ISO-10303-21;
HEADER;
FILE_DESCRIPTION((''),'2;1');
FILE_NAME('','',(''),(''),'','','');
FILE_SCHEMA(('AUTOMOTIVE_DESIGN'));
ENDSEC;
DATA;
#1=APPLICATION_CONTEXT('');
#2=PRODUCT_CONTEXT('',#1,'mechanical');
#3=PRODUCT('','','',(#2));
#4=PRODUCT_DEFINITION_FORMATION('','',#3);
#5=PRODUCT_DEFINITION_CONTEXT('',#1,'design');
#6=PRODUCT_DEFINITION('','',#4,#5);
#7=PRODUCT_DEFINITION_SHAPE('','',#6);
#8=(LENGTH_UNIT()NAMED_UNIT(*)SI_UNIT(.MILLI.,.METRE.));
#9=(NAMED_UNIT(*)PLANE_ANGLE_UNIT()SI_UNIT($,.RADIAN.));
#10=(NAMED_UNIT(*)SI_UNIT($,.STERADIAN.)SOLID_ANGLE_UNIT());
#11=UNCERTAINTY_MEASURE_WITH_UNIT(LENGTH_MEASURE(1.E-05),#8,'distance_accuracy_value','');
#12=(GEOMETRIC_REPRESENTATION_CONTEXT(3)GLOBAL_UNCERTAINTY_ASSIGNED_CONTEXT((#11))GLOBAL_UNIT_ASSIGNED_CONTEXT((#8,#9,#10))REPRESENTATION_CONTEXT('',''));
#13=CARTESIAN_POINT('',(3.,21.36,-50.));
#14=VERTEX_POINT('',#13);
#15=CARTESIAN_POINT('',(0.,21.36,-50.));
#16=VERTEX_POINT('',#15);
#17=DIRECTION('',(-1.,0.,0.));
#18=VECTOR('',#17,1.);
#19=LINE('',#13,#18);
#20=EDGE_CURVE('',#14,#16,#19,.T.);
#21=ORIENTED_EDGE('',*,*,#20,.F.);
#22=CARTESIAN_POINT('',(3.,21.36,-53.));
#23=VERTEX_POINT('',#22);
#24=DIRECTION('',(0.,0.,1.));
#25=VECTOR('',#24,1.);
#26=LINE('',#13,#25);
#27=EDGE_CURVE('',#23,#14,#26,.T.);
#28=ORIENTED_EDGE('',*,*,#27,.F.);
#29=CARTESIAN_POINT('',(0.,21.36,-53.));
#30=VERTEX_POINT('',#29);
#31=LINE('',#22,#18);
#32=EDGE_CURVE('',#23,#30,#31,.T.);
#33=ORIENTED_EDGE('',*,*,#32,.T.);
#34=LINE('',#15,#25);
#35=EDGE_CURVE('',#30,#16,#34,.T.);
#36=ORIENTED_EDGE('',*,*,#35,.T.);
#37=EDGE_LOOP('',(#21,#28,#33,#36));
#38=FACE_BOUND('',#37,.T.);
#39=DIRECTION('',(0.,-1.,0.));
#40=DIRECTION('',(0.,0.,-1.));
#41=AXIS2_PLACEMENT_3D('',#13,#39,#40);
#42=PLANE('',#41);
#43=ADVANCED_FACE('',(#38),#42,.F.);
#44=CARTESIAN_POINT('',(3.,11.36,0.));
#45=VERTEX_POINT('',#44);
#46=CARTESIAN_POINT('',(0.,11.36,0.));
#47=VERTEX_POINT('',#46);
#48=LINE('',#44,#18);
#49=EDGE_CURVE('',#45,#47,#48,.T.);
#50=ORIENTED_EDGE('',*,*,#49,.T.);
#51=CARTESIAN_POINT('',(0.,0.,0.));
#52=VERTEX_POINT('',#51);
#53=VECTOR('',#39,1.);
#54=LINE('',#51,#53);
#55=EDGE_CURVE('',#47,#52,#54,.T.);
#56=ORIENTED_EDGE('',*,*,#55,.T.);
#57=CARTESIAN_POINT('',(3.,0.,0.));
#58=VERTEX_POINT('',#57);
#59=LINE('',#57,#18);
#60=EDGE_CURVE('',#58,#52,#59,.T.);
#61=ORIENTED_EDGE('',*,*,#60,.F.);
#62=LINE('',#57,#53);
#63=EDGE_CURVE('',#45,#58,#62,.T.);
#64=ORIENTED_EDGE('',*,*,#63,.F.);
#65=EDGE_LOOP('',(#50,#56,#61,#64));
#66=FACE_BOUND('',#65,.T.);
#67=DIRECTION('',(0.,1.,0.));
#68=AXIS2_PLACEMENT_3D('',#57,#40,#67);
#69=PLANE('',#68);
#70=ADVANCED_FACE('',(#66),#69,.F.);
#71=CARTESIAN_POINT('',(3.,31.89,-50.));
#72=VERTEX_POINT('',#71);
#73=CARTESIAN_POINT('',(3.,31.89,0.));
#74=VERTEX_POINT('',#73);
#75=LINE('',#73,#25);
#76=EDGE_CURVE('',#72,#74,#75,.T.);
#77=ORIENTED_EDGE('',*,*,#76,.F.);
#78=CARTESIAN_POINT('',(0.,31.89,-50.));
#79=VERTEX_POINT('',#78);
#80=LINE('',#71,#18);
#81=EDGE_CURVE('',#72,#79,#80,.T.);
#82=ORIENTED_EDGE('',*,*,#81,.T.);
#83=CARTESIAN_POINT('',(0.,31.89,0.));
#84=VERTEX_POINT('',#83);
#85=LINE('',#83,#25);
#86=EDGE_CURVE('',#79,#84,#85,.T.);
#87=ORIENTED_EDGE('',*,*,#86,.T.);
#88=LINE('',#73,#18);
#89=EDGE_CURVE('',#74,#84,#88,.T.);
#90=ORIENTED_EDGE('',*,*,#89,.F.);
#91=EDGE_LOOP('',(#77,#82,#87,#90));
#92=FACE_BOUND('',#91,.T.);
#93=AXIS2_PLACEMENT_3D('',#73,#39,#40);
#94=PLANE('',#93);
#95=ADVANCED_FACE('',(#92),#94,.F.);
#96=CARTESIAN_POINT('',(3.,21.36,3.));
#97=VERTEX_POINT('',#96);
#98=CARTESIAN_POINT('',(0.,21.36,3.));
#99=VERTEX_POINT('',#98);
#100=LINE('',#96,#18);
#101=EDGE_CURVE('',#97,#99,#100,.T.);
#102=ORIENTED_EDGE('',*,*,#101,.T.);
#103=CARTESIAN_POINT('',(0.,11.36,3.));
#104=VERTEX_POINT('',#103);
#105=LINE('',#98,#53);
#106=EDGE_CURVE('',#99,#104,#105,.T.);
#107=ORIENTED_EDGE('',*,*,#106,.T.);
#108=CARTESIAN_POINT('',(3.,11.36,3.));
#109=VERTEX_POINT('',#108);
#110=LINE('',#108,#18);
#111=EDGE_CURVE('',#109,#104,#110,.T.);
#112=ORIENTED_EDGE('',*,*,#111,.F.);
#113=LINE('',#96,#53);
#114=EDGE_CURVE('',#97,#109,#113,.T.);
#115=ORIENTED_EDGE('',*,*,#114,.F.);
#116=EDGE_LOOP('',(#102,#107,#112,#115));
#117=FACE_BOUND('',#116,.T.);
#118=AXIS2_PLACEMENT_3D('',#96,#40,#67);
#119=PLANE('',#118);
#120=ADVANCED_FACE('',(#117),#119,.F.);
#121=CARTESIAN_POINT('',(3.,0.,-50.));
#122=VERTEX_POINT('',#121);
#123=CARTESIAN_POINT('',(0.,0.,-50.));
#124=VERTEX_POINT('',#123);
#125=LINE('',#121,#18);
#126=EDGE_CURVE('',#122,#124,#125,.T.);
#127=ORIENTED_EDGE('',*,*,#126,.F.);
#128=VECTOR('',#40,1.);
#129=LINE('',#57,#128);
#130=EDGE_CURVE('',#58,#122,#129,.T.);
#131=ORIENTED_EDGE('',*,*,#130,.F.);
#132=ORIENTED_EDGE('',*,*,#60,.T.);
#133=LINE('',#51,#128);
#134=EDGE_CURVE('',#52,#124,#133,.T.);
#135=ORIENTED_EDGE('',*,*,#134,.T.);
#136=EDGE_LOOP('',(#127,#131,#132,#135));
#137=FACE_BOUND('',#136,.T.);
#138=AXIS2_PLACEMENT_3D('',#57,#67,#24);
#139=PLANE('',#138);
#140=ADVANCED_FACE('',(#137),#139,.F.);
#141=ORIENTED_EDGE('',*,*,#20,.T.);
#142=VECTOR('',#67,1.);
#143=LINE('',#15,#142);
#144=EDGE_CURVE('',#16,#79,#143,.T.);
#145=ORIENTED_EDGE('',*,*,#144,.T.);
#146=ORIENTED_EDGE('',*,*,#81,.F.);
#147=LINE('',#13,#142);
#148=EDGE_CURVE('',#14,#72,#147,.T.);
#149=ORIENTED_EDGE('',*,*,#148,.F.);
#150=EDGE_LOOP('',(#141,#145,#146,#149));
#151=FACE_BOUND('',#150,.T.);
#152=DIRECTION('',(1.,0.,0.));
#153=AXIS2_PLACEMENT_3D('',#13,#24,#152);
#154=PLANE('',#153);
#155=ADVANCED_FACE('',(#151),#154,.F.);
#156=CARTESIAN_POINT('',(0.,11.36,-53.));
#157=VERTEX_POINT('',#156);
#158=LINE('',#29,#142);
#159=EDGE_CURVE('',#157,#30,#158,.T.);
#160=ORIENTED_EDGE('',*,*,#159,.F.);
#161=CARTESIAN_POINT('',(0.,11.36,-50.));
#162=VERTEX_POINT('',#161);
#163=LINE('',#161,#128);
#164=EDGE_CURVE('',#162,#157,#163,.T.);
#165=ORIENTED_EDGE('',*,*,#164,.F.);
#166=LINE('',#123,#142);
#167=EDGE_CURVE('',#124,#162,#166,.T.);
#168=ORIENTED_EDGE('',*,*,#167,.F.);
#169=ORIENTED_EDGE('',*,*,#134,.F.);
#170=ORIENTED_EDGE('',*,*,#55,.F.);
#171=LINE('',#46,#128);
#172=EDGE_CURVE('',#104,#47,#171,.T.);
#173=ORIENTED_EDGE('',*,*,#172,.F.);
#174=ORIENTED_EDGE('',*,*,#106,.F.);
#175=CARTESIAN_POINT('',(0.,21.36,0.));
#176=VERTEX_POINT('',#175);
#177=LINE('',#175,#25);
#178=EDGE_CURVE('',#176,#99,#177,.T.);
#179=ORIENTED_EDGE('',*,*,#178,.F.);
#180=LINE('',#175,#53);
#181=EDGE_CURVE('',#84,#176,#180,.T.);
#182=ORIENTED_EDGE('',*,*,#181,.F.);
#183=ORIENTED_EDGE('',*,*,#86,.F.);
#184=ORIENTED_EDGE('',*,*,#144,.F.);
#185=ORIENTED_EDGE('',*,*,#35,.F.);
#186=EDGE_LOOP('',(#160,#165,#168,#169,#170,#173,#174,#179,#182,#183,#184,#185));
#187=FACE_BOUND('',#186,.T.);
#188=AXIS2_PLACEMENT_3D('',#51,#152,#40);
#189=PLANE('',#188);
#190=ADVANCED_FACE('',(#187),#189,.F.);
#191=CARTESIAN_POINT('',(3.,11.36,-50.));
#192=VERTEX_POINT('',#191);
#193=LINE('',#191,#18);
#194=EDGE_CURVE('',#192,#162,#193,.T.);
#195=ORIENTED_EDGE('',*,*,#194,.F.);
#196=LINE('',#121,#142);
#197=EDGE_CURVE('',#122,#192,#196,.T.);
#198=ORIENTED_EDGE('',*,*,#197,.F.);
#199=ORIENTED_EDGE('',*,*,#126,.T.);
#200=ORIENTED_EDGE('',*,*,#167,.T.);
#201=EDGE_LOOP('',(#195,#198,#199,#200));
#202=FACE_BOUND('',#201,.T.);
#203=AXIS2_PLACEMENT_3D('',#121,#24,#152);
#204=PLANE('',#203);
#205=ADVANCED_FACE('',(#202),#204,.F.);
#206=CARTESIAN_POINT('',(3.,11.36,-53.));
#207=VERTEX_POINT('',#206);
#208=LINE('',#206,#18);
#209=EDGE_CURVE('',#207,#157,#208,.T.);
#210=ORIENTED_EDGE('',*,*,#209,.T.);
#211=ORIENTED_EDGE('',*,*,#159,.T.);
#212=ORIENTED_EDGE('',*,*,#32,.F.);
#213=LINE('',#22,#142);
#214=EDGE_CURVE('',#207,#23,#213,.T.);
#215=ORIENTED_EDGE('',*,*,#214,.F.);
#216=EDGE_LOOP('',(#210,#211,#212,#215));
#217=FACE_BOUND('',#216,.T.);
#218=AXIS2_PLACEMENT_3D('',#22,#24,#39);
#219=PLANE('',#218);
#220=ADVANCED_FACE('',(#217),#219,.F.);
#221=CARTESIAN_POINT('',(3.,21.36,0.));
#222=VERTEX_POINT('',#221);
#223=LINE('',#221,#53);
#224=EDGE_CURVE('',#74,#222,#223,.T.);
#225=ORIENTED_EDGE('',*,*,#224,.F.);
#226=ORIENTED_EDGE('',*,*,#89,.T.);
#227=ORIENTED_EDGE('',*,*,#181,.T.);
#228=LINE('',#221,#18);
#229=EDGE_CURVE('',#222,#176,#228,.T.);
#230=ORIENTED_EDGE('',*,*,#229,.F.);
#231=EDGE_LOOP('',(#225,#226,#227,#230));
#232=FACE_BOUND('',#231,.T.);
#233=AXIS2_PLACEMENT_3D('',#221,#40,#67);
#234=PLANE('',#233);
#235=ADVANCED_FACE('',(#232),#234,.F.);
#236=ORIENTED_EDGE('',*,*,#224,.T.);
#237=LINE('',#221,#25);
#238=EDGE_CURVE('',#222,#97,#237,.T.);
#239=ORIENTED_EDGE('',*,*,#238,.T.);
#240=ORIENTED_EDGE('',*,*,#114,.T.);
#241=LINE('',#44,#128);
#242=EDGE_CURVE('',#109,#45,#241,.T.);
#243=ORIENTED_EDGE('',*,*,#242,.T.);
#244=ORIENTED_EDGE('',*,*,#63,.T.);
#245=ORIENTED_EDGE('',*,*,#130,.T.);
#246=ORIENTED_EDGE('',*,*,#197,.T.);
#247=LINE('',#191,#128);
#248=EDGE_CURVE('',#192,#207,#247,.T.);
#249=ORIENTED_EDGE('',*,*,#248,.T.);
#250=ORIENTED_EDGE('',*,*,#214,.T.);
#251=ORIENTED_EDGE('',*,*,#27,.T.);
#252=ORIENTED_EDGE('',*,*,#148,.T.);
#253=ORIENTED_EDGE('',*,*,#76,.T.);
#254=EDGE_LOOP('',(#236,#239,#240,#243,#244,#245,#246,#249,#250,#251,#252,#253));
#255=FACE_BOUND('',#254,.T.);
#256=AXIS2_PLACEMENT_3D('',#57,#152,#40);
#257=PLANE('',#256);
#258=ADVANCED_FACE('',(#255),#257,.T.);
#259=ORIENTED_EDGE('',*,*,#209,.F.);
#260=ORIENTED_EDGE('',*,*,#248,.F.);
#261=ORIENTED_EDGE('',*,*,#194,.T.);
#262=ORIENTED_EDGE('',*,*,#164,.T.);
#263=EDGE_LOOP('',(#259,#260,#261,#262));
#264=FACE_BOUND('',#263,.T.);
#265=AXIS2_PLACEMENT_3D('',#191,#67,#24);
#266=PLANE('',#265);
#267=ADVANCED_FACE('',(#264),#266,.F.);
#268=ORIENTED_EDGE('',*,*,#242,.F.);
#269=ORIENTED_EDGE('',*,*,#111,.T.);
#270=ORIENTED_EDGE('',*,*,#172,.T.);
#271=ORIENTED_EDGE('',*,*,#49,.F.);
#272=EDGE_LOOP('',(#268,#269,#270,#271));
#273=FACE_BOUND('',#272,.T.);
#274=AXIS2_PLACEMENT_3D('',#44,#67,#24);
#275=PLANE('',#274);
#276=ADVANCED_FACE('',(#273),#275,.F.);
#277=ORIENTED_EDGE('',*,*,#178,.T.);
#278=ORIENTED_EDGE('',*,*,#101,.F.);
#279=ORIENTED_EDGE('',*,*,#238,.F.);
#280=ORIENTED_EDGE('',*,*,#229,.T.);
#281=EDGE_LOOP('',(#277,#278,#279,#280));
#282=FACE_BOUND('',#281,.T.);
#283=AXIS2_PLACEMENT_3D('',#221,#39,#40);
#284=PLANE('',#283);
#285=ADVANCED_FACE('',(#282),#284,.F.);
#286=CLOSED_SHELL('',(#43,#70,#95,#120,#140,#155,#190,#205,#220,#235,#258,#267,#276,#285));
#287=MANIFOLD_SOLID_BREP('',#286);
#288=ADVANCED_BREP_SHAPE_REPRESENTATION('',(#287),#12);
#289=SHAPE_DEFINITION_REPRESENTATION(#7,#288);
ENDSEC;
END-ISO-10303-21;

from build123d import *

# Parameters (mm, degrees)
BOSS_EXTRUDE1_DEPTH = 3


with BuildPart() as part:
    # Sketch2 → Boss-Extrude1 (new body)
    with BuildSketch(Plane(origin=(0, 0, 0), x_dir=(0, 0, -1), z_dir=(1, 0, 0))):
        Polygon((0, 0), (50, 0), (50, 11.36), (53, 11.36), (53, 21.36), (50, 21.36), (50, 31.89), (0, 31.89), (0, 21.36), (-3, 21.36), (-3, 11.36), (0, 11.36), align=None)
    extrude(amount=BOSS_EXTRUDE1_DEPTH)


solid = part.part
